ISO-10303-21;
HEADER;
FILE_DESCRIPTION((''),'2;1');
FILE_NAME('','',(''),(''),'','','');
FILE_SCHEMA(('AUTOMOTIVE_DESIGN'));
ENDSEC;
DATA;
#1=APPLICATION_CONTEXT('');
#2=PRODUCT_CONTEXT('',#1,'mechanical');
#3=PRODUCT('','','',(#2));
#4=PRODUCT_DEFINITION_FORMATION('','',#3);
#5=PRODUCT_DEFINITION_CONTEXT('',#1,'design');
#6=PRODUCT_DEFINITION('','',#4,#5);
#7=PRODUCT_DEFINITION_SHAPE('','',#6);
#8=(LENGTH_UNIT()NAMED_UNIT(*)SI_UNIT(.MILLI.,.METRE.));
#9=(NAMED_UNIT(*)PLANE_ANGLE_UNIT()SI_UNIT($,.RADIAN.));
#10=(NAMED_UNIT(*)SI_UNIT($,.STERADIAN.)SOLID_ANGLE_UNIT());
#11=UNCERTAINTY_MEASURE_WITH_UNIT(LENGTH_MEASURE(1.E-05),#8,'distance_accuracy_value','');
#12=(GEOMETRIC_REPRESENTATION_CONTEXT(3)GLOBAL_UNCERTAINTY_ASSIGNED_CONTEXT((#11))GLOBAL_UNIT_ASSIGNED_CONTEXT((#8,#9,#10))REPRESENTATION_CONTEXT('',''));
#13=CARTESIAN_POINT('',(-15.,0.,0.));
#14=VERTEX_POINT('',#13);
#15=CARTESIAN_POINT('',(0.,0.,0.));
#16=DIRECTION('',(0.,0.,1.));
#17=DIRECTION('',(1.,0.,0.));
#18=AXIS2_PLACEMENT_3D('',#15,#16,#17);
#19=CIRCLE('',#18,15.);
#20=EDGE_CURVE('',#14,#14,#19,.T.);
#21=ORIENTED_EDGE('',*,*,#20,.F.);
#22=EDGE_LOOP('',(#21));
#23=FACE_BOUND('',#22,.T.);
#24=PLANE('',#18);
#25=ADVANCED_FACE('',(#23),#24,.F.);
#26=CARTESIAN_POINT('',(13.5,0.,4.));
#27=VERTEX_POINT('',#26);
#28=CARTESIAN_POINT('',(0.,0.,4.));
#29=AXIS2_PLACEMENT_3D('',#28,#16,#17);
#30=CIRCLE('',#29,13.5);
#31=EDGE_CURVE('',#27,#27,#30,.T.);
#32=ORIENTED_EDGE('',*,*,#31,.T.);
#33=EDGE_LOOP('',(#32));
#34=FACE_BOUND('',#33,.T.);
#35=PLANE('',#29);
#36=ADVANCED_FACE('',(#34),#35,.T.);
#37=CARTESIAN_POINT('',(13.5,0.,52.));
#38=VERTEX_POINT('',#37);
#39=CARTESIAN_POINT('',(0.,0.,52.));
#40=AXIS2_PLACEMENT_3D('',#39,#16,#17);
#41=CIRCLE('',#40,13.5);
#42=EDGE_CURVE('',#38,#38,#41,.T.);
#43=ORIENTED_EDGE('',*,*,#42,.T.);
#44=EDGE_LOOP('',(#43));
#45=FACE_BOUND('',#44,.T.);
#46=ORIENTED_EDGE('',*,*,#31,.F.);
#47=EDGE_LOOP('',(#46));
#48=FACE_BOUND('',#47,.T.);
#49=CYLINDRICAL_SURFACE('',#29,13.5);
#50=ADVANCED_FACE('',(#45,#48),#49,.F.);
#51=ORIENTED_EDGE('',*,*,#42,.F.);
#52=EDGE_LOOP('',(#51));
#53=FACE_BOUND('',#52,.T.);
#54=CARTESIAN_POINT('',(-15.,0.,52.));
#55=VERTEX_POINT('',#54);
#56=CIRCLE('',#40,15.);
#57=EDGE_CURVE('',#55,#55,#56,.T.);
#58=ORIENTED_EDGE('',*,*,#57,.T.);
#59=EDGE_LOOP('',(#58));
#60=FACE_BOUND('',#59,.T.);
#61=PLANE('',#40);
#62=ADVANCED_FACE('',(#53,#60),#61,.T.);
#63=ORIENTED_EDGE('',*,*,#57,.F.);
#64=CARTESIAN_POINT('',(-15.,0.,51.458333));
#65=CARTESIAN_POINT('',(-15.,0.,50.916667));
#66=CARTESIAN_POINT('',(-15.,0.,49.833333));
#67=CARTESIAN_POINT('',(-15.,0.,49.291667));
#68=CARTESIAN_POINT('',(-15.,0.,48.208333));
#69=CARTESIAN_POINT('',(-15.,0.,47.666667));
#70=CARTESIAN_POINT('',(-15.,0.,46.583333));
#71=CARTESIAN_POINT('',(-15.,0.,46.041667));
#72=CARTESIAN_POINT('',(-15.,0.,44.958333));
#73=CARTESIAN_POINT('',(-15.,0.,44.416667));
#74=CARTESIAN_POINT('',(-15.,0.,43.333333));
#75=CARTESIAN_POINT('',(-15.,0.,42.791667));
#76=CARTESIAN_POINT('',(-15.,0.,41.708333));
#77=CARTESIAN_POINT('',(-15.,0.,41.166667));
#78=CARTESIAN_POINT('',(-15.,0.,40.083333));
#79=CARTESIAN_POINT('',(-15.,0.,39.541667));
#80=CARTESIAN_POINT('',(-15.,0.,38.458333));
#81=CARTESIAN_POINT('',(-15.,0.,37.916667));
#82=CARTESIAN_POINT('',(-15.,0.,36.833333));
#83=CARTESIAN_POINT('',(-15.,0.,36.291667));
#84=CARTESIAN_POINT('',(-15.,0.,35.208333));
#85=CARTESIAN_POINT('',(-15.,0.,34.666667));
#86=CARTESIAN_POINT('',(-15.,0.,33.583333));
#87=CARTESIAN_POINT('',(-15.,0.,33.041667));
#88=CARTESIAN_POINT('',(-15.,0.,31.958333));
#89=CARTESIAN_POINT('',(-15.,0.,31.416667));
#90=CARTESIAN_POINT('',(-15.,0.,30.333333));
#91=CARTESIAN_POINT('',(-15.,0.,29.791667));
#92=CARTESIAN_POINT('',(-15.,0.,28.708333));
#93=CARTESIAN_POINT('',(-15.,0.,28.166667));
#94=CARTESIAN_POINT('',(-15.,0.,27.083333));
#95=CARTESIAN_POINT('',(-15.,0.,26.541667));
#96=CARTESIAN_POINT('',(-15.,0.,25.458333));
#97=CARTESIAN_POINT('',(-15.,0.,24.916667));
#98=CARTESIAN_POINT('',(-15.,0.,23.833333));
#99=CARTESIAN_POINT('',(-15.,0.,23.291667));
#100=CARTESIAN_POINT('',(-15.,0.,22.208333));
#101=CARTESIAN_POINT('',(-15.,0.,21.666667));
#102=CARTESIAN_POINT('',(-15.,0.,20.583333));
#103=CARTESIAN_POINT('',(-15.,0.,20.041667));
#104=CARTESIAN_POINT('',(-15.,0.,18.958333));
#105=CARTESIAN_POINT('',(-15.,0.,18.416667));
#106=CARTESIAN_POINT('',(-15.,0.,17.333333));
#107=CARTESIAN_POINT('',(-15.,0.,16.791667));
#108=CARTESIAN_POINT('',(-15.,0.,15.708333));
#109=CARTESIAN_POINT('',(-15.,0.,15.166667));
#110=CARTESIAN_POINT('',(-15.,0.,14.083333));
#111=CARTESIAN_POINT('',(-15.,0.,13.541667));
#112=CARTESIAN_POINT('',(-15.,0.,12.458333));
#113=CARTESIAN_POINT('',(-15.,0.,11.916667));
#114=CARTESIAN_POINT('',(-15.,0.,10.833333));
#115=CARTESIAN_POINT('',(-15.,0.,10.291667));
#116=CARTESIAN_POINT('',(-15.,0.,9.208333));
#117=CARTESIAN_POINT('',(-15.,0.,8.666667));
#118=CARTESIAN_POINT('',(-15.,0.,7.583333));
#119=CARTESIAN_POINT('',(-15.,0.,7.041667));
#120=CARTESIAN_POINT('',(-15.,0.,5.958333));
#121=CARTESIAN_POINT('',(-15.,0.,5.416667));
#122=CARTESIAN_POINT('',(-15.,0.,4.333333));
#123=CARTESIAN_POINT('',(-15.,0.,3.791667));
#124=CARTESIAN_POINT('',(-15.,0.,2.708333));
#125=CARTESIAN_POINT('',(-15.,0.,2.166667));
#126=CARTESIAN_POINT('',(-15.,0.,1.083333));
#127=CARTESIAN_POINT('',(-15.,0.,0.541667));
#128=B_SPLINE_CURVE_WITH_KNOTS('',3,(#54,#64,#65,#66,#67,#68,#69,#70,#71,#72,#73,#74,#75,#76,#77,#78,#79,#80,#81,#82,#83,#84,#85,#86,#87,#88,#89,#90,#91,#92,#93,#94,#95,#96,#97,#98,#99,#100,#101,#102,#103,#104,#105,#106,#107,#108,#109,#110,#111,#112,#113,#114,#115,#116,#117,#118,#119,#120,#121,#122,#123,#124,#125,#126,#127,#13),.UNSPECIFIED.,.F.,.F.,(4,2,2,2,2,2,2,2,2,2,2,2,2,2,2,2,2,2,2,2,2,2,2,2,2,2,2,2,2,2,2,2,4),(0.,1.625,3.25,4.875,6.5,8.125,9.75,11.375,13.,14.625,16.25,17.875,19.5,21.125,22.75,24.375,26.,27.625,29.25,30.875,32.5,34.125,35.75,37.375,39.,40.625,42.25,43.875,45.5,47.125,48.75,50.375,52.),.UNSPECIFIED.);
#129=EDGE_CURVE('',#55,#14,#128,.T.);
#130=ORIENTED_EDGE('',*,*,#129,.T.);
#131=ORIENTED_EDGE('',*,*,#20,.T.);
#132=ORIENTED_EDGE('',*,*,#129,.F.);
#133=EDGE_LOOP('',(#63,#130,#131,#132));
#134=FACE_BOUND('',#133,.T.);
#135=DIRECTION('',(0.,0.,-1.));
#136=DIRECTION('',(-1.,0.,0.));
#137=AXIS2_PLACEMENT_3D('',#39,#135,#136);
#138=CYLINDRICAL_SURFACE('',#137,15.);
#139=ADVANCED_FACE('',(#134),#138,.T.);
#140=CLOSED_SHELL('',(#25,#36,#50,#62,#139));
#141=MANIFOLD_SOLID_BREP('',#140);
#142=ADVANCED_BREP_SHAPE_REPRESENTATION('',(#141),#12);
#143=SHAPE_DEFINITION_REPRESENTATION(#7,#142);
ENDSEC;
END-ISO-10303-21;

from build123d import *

# Parameters (mm, degrees)
SKETCH1_R           = 15
BOSS_EXTRUDE1_DEPTH = 52
SKETCH2_R           = 13.5
CUT_EXTRUDE1_DEPTH  = 48


with BuildPart() as part:
    # Sketch1 → Boss-Extrude1 (new body)
    with BuildSketch(Plane.XY):
        with Locations(Location((0, 0, 0), (0, 0, 180))):
            Circle(SKETCH1_R)
    extrude(amount=BOSS_EXTRUDE1_DEPTH)

    # Sketch2 → Cut-Extrude1 (cut)
    with BuildSketch(Plane.XY.offset(52)):
        Circle(SKETCH2_R)
    extrude(amount=-CUT_EXTRUDE1_DEPTH, mode=Mode.SUBTRACT)


solid = part.part
